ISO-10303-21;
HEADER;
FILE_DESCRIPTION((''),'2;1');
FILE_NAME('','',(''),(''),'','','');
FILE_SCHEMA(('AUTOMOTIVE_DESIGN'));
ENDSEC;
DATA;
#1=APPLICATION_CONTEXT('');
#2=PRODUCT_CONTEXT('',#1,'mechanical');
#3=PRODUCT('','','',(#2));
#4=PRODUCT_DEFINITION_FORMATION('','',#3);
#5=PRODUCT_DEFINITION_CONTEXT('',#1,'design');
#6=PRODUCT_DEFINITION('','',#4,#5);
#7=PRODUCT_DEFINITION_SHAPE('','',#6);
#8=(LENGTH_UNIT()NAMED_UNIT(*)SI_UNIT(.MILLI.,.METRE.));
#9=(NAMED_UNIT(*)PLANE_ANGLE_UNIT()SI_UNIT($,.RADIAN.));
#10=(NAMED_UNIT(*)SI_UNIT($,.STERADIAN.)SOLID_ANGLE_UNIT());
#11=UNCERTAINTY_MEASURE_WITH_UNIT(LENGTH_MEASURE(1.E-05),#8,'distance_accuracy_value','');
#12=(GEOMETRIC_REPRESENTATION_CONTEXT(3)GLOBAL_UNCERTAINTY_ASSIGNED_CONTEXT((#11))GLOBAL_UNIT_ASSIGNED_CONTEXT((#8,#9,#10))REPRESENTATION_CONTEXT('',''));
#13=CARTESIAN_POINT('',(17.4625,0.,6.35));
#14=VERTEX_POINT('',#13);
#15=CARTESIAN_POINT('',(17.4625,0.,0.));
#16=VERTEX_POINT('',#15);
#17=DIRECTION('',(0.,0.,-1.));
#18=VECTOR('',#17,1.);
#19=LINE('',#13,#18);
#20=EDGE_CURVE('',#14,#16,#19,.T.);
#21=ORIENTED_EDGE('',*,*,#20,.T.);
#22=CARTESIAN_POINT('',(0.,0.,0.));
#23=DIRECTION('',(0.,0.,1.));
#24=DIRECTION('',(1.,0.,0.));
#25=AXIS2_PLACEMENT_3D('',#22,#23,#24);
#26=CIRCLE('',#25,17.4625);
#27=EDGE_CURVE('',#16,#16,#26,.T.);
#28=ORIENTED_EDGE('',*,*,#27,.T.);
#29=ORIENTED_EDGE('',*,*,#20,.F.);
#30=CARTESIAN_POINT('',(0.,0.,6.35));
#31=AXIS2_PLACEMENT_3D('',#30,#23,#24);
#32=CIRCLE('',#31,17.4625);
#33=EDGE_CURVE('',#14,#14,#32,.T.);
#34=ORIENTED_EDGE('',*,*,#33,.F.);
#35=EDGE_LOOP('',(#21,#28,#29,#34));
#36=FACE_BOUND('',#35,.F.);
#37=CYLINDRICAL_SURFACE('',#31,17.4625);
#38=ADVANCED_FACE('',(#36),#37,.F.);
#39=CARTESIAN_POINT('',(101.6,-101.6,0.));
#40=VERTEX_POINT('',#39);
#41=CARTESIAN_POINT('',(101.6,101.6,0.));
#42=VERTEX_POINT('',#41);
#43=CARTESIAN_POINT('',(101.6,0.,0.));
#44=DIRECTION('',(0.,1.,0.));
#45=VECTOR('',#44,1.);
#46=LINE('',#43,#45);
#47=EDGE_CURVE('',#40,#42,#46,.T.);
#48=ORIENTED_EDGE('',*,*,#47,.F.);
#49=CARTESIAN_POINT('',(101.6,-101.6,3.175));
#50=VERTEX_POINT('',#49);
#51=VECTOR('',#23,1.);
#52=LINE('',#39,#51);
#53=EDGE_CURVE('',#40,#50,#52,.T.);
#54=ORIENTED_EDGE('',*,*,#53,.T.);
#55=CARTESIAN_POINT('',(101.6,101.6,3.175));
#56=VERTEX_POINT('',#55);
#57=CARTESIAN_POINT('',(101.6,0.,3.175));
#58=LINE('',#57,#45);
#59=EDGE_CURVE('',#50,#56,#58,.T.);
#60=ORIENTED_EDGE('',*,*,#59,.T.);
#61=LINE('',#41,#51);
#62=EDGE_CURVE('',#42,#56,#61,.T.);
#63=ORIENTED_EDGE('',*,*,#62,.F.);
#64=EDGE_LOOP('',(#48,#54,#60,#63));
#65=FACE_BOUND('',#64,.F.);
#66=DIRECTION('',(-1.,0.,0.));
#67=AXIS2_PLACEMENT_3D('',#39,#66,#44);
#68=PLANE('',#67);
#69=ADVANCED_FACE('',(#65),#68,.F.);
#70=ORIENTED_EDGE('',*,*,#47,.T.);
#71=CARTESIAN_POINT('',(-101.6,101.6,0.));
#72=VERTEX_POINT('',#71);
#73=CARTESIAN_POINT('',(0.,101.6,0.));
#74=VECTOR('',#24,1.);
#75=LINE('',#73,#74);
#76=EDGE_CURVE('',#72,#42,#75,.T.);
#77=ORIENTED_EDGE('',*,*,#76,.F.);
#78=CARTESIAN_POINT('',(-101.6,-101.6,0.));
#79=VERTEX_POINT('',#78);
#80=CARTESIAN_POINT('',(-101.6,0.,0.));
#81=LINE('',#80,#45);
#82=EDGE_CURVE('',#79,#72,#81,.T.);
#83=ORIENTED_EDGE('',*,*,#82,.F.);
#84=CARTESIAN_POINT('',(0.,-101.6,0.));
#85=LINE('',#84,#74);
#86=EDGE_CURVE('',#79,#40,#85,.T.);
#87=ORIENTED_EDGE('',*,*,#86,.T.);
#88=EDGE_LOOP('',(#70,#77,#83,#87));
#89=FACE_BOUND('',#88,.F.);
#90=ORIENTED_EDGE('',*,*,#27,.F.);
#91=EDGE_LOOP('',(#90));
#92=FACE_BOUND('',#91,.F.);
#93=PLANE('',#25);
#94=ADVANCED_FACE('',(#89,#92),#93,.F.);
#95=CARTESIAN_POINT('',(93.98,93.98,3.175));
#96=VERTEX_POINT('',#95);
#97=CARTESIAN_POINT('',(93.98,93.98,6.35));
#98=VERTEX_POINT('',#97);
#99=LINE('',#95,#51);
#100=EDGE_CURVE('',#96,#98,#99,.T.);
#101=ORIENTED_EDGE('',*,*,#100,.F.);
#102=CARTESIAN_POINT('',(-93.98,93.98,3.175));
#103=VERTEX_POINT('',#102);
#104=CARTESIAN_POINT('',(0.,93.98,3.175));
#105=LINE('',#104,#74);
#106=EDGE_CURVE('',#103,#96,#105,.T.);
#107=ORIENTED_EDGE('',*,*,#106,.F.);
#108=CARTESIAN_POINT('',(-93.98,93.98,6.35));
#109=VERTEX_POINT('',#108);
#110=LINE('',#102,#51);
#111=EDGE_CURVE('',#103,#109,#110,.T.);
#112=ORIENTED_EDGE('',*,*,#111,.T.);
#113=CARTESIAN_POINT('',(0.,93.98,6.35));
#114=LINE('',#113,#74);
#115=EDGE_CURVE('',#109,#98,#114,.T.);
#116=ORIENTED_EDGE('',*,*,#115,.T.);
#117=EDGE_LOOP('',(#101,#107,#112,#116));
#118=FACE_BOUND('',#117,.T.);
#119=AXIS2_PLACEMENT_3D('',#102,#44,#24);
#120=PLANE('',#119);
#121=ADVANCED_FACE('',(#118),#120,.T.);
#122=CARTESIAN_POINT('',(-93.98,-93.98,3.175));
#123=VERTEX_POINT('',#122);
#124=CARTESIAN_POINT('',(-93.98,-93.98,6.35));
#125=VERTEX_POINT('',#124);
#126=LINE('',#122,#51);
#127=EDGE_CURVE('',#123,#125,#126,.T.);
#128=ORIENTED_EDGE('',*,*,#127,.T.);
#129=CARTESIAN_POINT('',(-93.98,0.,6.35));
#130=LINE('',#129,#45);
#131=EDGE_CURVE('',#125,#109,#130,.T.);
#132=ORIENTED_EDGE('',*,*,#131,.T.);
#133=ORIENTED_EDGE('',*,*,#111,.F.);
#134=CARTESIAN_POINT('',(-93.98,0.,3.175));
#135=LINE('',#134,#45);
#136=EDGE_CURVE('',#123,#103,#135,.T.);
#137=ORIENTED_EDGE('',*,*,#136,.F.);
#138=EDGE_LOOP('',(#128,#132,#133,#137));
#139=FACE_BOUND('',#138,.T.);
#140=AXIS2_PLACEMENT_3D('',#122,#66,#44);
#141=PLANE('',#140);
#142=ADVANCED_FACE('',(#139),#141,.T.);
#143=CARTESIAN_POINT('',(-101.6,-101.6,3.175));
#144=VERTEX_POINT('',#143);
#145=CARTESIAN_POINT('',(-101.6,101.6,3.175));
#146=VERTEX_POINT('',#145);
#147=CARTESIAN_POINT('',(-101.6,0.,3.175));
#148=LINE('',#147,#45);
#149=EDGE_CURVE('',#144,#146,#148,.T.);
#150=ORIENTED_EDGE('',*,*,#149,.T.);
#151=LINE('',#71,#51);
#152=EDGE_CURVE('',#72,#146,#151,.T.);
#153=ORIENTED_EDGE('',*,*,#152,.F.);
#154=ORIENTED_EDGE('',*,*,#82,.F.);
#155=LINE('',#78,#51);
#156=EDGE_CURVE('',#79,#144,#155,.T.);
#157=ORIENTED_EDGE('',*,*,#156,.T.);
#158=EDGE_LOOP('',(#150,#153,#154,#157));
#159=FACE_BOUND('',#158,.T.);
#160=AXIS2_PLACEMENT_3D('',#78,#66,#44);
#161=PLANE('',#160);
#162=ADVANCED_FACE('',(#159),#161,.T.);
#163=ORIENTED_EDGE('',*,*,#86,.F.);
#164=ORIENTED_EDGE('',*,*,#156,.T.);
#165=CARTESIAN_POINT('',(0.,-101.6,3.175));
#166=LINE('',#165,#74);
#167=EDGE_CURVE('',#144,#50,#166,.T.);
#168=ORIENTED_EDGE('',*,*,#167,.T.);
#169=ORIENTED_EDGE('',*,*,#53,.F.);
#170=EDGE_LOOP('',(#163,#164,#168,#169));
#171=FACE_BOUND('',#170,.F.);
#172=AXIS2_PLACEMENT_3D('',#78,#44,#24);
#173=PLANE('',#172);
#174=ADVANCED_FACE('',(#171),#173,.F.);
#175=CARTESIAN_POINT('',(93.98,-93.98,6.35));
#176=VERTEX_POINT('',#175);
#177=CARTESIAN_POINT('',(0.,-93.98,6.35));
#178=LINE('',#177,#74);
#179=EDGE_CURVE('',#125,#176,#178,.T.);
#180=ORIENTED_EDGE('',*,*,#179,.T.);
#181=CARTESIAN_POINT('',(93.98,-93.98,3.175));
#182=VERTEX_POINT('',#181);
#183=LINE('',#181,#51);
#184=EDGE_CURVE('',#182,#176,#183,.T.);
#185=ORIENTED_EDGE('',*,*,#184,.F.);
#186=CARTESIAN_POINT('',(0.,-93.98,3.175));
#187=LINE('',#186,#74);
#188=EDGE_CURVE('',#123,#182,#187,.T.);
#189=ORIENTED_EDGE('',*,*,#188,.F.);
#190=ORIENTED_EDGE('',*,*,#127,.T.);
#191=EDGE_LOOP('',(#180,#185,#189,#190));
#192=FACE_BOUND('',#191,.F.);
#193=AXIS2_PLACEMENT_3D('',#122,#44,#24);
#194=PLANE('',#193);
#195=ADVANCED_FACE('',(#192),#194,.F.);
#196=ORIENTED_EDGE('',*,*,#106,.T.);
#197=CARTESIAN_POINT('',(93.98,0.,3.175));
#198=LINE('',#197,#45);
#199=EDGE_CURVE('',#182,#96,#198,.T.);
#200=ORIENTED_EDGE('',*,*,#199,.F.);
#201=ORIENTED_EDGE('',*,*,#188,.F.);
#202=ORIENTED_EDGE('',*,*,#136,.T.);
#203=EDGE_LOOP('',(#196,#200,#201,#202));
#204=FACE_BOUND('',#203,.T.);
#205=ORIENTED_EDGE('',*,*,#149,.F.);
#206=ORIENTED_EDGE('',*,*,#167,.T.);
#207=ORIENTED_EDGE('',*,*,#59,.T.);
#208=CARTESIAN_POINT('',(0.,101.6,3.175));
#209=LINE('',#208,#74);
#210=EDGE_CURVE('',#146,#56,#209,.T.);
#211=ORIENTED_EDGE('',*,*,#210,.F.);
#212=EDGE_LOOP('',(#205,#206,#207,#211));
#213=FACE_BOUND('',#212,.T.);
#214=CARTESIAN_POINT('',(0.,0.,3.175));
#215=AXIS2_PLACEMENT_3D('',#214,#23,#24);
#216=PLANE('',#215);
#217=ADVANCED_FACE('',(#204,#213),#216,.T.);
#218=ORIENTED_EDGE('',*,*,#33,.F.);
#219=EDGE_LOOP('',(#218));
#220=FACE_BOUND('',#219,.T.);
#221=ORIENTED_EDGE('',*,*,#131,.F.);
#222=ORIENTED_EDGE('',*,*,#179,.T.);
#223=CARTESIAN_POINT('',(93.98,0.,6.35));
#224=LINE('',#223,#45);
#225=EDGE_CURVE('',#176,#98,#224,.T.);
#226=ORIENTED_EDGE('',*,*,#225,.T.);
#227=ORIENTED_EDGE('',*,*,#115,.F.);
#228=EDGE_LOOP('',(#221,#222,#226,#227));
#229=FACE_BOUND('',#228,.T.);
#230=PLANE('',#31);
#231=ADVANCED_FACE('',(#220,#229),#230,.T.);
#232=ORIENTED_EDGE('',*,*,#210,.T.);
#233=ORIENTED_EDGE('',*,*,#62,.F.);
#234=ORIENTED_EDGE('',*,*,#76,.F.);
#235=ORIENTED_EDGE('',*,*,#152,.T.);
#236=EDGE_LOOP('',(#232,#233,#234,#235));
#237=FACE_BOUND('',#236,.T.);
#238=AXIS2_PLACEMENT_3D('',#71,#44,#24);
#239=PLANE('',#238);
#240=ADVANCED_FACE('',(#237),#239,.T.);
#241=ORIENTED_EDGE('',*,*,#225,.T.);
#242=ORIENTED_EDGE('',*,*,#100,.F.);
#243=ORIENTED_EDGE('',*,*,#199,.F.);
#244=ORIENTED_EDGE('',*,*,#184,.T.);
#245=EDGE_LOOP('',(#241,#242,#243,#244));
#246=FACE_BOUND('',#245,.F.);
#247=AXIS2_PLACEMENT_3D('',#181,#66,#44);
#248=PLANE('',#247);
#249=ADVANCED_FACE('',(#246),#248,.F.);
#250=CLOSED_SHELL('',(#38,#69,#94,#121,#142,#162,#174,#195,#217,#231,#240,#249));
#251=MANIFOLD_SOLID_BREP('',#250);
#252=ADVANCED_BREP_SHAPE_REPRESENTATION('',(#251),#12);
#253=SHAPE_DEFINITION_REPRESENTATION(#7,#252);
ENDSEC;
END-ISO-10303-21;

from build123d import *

# Parameters (mm, degrees)
F0_W     = 203.2
F0_H     = 203.2
F1_DEPTH = 3.175
F2_W     = 187.96
F2_H     = 187.96
F3_DEPTH = 3.175
F4_R     = 17.4625
F5_DEPTH = 25.4


with BuildPart() as f1:
    # F0 (on Top) → F1 (new body)
    with BuildSketch(Plane.XY):
        Rectangle(F0_W, F0_H)
    extrude(amount=F1_DEPTH)

    # F2 (on face) → F3 (join)
    with BuildSketch(Plane.XY.offset(3.175)):
        Rectangle(F2_W, F2_H)
    extrude(amount=F3_DEPTH)

    # F4 (on face) → F5 (cut)
    with BuildSketch(Plane.XY.offset(6.35)):
        Circle(F4_R)
    extrude(amount=-F5_DEPTH, mode=Mode.SUBTRACT)


solid = f1.part
